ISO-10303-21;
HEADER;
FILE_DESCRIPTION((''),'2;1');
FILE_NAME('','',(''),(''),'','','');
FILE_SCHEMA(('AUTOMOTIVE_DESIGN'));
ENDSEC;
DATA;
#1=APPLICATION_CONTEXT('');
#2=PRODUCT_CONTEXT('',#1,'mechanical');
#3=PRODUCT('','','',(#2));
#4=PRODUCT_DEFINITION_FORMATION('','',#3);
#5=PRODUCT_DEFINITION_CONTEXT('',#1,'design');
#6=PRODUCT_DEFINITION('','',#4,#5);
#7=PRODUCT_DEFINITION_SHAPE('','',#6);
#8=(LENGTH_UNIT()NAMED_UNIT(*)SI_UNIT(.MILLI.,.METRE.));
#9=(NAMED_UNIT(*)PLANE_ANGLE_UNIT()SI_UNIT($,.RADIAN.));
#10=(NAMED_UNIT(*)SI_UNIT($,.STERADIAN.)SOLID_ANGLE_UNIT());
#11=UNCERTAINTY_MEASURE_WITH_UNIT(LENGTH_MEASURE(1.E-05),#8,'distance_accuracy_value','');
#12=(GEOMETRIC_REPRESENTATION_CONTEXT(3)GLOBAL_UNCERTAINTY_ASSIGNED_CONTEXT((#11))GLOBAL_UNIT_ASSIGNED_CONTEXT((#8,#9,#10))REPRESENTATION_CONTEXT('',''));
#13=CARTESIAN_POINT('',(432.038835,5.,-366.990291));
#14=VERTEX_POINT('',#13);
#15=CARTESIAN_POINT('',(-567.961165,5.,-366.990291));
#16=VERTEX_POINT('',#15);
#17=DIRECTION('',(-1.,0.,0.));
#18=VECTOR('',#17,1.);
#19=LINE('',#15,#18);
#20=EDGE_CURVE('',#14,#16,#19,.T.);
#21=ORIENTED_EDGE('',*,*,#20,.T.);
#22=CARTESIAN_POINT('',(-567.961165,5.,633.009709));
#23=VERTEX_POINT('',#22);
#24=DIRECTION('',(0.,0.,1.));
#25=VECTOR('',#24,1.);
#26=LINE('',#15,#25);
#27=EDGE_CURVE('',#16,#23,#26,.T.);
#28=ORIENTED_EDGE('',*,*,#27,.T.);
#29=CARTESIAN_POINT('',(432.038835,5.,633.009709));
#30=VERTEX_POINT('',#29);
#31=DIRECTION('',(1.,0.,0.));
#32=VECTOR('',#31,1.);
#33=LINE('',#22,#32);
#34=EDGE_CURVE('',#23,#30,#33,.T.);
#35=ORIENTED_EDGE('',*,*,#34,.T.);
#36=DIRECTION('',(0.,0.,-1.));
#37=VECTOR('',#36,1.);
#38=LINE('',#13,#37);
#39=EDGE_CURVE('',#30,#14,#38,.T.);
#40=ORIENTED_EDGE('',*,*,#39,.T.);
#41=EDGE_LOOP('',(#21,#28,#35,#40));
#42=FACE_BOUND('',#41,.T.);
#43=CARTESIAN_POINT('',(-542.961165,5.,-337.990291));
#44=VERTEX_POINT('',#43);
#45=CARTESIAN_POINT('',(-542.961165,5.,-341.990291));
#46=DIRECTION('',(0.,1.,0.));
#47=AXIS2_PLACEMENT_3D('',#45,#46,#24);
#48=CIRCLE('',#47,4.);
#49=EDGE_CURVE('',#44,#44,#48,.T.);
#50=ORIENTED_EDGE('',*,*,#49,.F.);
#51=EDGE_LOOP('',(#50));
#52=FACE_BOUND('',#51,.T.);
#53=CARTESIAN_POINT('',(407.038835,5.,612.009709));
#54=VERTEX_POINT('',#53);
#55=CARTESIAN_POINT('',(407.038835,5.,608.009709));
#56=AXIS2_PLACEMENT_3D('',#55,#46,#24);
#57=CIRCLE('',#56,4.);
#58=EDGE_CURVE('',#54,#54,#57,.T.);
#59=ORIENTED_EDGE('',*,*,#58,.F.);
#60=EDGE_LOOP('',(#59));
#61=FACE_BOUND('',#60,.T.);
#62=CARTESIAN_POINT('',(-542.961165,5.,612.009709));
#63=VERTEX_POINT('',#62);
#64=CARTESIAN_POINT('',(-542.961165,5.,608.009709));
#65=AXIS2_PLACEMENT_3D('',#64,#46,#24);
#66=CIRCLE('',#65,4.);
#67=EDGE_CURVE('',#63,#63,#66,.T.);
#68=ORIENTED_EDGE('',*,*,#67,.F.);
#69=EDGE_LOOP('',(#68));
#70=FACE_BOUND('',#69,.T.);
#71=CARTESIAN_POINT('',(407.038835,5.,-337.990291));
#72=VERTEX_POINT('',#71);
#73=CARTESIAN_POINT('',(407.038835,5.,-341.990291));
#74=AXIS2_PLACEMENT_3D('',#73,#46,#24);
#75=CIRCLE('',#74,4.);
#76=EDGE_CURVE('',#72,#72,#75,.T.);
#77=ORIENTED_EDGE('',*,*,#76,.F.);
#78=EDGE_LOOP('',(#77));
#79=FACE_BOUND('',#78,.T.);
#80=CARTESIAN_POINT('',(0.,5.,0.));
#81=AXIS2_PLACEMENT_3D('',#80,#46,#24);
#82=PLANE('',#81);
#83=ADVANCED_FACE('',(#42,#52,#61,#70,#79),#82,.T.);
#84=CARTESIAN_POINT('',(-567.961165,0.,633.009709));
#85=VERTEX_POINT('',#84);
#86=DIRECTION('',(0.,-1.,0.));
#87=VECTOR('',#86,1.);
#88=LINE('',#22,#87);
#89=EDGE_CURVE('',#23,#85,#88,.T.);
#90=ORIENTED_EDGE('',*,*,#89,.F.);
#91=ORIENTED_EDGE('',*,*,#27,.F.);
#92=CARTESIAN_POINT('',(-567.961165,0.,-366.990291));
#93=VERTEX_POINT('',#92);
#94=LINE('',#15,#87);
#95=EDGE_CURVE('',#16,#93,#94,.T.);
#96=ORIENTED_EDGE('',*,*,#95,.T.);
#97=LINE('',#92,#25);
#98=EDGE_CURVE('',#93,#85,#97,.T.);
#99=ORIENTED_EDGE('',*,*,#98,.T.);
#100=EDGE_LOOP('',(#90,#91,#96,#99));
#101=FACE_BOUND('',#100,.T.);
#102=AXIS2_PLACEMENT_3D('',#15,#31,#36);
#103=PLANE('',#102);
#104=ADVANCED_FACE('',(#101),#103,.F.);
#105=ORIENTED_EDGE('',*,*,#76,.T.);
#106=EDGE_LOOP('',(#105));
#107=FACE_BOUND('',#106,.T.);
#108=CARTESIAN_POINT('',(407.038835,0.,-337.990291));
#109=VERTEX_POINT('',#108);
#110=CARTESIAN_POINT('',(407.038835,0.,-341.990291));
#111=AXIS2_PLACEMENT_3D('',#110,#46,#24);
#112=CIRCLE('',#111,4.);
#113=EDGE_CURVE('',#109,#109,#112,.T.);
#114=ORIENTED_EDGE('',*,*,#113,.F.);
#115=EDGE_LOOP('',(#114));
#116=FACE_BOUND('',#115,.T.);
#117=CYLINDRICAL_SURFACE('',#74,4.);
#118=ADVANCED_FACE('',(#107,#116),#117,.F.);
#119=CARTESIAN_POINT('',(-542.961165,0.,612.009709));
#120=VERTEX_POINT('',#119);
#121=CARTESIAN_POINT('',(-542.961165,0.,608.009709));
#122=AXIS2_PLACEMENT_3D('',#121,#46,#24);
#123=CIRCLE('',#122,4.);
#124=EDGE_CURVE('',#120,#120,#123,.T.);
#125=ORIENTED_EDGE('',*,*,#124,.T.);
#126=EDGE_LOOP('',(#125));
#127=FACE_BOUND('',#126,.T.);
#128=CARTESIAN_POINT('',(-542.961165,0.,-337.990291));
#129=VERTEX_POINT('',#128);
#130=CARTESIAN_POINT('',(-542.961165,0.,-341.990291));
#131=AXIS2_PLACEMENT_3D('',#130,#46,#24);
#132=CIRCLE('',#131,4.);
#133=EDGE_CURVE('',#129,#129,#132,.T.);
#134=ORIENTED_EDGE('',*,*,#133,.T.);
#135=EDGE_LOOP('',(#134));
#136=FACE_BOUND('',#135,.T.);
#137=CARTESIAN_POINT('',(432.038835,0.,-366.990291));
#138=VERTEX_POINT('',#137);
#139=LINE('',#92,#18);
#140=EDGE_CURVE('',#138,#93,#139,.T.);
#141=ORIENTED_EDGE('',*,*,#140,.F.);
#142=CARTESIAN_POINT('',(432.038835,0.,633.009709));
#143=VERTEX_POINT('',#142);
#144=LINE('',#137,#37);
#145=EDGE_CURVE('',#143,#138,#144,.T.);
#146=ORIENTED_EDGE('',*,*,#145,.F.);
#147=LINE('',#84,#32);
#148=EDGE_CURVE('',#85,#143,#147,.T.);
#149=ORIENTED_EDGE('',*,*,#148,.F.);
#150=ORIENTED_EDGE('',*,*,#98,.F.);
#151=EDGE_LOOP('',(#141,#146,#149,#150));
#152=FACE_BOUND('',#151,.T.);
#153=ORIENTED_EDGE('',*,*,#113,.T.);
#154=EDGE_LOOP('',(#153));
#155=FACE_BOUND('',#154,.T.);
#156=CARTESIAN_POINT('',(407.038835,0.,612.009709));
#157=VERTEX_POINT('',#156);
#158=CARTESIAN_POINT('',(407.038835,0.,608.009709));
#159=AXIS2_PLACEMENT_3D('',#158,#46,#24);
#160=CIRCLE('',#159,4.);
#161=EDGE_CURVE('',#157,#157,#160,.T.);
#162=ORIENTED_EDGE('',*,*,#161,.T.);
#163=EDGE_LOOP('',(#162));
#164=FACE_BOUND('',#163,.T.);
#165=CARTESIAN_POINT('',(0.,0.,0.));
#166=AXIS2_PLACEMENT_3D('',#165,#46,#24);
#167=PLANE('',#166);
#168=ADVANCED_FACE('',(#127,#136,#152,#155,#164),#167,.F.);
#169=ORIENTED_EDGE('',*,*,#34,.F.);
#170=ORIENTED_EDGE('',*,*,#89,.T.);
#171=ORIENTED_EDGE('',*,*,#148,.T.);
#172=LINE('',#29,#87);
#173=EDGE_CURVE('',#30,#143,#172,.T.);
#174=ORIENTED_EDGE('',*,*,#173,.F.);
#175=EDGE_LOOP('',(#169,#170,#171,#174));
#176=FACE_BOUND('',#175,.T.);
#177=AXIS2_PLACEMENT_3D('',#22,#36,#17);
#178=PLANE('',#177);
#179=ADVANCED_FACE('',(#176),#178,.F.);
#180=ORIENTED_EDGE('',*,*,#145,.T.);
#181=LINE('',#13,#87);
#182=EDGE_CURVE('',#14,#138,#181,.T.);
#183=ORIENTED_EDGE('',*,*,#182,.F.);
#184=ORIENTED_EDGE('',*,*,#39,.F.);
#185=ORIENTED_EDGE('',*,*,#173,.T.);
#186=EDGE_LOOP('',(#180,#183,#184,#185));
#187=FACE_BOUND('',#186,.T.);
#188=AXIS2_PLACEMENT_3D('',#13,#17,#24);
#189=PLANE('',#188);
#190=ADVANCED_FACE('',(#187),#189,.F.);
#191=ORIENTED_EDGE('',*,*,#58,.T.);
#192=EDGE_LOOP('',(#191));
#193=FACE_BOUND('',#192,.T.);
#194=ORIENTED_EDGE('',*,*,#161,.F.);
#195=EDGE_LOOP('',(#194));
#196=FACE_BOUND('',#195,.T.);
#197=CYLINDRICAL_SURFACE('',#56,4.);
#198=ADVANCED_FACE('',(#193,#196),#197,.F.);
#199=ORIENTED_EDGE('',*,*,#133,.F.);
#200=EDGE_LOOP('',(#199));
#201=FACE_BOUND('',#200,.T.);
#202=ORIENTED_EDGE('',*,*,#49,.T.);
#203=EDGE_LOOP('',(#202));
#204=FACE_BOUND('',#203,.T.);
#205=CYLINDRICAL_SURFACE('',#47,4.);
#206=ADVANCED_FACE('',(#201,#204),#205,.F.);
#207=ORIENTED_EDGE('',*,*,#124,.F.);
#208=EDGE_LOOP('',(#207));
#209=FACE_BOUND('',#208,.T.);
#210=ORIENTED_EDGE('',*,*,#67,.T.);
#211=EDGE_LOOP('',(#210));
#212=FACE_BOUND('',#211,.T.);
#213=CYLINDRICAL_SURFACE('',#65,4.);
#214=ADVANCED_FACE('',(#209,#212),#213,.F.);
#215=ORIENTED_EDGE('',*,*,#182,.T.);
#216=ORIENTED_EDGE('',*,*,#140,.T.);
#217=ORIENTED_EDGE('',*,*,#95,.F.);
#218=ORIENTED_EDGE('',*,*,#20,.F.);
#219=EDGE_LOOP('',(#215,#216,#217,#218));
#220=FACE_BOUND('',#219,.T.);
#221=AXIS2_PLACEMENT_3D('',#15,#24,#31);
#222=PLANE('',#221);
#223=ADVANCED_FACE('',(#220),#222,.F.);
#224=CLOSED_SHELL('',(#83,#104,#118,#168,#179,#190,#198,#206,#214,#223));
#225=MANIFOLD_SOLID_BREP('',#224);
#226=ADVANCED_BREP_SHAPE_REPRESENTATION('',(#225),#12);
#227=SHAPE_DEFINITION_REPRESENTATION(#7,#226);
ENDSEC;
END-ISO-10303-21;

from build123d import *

# Parameters (mm, degrees)
SKETCH_1_W      = 1000
SKETCH_1_H      = 1000
EXTRUDE_1_DEPTH = 5
MM_1_D          = 8
MM_1_DEPTH      = 10
MM_1_TIP        = 2.403442476


with BuildPart() as part:
    # 草图1 → 凸台-拉伸1 (new body)
    with BuildSketch(Plane(origin=(0, 0, 0), x_dir=(1, 0, 0), z_dir=(0, 1, 0))):
        with Locations((-67.961165049, -133.009708738)):
            Rectangle(SKETCH_1_W, SKETCH_1_H)
    extrude(amount=EXTRUDE_1_DEPTH)

    # 大小mm 暗销孔1
    with Locations(Plane(origin=(407.038834951, 5, -341.990291262), x_dir=(0, 0, 1), z_dir=(0, 1, 0))):
        with Locations((0, 0), (0, -950), (950, -950), (950, 0)):
            Hole(MM_1_D / 2, depth=MM_1_DEPTH)
            with Locations((0, 0, -(MM_1_DEPTH + MM_1_TIP / 2))):  # 118° drill point
                Cone(0, MM_1_D / 2, MM_1_TIP, mode=Mode.SUBTRACT)


solid = part.part
